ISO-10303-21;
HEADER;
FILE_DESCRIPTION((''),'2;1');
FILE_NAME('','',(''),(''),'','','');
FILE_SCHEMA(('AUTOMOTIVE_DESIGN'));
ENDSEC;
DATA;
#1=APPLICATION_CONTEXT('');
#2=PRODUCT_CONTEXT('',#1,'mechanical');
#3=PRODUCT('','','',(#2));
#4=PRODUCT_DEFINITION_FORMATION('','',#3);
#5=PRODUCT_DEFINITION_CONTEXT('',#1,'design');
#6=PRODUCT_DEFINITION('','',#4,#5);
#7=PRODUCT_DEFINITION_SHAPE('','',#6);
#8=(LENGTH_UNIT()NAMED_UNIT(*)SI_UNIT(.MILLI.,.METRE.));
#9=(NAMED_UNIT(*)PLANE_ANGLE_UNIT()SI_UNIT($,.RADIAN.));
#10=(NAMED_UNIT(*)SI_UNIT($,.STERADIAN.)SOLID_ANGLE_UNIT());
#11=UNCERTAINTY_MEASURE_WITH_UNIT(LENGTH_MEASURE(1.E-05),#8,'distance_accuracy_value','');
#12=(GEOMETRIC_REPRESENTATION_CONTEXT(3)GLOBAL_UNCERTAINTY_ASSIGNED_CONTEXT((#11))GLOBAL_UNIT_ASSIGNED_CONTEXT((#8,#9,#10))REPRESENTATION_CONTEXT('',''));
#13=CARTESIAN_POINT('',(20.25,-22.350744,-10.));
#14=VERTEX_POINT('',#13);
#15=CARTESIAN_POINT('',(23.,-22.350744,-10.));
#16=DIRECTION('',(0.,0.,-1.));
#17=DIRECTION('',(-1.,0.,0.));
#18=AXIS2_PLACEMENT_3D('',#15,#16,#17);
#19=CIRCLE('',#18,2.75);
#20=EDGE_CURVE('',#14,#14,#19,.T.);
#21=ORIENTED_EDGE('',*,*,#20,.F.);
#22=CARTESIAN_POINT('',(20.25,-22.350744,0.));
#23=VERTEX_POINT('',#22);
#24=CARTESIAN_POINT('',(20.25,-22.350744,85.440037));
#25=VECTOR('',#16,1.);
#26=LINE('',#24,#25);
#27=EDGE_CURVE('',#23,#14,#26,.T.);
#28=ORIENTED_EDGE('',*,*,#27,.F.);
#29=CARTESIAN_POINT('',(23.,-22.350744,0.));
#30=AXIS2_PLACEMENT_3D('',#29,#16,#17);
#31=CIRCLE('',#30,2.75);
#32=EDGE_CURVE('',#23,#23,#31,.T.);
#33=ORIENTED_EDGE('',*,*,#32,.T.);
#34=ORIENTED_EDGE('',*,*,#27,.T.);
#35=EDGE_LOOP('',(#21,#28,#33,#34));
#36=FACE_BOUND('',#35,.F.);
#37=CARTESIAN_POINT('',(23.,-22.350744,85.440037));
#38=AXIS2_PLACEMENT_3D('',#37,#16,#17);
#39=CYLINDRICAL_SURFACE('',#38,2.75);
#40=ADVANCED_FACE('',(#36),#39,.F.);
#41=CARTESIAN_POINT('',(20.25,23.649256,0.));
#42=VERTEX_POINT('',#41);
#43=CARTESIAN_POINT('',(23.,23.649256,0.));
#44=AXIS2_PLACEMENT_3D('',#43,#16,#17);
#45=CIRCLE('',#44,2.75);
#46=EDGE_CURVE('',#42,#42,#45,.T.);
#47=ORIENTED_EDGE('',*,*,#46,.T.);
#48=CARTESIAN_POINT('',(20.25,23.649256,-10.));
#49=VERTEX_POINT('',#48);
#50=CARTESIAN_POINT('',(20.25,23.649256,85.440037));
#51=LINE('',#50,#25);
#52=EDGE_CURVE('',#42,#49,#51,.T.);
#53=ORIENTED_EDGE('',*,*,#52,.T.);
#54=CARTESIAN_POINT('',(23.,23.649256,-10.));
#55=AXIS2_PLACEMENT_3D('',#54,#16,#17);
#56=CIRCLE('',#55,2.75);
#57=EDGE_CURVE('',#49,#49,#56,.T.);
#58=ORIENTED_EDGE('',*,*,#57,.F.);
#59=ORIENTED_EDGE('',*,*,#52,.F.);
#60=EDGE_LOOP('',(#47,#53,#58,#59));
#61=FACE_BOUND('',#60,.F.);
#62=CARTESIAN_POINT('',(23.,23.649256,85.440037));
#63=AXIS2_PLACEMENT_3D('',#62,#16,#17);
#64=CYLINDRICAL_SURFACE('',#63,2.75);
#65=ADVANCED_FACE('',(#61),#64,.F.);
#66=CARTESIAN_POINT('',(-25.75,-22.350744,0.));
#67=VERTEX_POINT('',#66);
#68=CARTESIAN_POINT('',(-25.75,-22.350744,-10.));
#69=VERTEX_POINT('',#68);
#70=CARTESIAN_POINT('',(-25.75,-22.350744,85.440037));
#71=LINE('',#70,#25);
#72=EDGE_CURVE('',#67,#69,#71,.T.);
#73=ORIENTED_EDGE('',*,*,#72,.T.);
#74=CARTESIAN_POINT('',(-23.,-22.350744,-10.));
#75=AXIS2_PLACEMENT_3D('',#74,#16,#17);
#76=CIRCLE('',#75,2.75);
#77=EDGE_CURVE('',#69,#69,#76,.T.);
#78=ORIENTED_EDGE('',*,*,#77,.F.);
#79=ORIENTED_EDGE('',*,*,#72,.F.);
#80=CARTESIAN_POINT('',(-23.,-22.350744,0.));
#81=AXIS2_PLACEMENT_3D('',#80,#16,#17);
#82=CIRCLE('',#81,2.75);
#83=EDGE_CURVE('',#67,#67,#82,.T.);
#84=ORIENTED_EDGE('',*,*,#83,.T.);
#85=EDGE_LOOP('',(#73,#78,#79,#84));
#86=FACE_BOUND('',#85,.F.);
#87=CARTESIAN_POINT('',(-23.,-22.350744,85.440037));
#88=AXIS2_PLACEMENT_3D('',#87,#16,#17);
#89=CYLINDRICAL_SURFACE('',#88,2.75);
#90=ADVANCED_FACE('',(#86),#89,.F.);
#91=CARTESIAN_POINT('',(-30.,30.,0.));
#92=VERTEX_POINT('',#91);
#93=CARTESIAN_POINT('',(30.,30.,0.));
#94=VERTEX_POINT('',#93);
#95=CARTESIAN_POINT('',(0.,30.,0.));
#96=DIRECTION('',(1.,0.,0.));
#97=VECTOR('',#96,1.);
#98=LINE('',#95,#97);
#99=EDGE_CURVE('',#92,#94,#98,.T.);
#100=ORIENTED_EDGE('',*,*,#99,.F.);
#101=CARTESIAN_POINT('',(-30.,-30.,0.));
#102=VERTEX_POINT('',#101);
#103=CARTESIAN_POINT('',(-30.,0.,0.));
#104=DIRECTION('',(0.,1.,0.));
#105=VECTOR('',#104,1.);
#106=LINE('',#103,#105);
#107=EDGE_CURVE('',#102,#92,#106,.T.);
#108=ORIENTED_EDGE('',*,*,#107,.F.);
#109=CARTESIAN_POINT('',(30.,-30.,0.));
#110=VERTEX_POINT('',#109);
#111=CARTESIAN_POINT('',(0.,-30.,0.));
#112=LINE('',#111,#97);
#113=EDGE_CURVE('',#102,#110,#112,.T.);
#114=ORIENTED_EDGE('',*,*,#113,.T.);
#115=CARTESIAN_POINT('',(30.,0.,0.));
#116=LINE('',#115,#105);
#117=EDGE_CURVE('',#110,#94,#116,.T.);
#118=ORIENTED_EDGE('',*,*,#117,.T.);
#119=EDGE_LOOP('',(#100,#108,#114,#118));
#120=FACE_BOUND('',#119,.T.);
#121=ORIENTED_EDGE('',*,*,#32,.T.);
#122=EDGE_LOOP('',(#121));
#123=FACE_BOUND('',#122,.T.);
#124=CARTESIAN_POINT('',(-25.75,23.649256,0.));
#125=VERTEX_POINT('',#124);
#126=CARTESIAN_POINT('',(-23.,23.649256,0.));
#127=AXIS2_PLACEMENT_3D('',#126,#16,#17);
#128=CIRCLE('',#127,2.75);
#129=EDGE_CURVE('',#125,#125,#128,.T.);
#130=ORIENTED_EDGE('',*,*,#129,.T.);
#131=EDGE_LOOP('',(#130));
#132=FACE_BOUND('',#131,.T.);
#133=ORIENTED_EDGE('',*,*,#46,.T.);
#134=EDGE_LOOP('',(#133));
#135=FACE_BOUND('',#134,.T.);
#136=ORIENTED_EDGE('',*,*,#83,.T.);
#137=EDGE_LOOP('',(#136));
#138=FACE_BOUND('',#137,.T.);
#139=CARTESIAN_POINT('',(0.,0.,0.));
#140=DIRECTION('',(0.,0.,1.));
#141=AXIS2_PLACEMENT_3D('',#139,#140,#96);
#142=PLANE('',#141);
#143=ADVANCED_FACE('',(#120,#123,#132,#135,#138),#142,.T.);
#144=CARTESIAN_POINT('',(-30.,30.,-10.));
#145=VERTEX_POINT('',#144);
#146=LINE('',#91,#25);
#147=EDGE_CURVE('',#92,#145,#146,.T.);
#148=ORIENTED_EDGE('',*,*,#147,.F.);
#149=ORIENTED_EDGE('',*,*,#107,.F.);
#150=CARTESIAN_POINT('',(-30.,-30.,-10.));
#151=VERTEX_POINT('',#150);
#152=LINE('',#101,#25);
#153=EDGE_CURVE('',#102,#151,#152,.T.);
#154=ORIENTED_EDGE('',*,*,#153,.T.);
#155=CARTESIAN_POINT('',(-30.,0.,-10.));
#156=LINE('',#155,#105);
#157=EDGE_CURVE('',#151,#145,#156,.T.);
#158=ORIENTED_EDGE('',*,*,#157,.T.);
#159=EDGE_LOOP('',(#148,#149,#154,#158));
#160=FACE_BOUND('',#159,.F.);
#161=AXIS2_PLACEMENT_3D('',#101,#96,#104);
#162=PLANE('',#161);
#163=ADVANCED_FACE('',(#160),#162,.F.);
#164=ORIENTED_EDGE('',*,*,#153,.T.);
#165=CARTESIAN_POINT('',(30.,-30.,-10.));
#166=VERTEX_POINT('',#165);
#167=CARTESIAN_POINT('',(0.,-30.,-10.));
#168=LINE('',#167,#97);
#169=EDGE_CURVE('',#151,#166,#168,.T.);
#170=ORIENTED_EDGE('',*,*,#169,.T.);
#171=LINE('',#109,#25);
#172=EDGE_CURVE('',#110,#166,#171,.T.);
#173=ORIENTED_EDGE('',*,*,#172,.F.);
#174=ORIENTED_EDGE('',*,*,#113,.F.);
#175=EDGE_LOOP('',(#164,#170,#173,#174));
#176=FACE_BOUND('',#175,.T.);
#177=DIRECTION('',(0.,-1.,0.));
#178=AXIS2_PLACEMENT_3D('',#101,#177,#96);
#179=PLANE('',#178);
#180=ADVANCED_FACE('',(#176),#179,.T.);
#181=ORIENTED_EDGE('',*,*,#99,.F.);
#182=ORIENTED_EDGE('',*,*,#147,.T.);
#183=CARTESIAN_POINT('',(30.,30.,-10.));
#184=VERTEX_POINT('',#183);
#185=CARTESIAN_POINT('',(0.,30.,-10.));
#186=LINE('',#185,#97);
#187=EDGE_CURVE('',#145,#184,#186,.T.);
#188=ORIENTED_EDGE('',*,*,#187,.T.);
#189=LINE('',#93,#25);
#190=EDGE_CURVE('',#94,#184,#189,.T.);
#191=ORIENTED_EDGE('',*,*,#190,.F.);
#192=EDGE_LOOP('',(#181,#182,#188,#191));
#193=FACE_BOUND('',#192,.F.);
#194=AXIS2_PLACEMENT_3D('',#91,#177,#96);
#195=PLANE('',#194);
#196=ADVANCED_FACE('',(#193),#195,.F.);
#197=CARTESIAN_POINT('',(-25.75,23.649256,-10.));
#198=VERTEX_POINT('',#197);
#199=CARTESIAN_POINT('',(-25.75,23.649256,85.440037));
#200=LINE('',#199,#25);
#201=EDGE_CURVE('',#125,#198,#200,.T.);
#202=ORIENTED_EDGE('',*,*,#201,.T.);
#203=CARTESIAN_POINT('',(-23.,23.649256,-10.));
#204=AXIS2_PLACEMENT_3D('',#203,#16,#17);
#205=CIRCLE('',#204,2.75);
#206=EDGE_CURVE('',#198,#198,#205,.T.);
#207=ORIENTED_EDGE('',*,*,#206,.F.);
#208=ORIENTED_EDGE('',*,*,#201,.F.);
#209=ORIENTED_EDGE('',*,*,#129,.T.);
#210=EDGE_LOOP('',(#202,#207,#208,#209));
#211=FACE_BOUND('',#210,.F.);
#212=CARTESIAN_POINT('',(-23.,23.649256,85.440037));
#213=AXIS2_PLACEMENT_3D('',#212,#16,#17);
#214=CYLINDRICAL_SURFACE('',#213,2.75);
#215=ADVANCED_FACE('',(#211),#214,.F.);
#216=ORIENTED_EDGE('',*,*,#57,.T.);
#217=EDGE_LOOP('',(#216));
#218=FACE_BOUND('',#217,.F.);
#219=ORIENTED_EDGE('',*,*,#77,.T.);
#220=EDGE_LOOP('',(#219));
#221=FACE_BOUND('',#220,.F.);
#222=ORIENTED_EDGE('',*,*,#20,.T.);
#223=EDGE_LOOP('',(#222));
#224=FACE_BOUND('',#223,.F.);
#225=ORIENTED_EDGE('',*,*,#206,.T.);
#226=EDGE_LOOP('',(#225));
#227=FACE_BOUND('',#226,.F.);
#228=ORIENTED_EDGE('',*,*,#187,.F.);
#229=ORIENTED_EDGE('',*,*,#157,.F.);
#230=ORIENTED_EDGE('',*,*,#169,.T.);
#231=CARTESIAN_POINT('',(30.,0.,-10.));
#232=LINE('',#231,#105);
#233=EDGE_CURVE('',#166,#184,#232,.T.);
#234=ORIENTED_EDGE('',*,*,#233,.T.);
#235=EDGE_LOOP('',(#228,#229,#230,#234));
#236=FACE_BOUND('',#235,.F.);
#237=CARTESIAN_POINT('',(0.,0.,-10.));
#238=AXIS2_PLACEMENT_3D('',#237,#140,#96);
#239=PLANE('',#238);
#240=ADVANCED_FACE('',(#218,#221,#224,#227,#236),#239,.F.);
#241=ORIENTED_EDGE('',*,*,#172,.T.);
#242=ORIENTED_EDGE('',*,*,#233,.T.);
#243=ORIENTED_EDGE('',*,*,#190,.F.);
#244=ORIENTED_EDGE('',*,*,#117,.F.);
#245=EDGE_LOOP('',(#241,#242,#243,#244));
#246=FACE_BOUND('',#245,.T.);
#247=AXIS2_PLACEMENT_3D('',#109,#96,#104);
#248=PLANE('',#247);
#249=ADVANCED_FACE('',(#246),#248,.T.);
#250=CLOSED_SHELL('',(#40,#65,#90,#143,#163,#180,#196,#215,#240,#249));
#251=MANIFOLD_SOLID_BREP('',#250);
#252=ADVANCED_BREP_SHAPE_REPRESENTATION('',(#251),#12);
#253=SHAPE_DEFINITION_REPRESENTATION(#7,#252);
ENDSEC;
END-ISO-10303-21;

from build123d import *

# Parameters (mm, degrees)
F0_W     = 60
F0_H     = 60
F1_DEPTH = 10
F3_D     = 5.5


with BuildPart() as f1:
    # F0 (on Top) → F1 (new body)
    with BuildSketch(Plane.XY):
        Rectangle(F0_W, F0_H)
    extrude(amount=-F1_DEPTH)

    # F3 (through all)
    with Locations(Plane.XY):
        with Locations((23, -22.3507442691), (-23, -22.3507442691), (-23, 23.6492557309), (23, 23.6492557309)):
            Hole(F3_D / 2)


solid = f1.part
